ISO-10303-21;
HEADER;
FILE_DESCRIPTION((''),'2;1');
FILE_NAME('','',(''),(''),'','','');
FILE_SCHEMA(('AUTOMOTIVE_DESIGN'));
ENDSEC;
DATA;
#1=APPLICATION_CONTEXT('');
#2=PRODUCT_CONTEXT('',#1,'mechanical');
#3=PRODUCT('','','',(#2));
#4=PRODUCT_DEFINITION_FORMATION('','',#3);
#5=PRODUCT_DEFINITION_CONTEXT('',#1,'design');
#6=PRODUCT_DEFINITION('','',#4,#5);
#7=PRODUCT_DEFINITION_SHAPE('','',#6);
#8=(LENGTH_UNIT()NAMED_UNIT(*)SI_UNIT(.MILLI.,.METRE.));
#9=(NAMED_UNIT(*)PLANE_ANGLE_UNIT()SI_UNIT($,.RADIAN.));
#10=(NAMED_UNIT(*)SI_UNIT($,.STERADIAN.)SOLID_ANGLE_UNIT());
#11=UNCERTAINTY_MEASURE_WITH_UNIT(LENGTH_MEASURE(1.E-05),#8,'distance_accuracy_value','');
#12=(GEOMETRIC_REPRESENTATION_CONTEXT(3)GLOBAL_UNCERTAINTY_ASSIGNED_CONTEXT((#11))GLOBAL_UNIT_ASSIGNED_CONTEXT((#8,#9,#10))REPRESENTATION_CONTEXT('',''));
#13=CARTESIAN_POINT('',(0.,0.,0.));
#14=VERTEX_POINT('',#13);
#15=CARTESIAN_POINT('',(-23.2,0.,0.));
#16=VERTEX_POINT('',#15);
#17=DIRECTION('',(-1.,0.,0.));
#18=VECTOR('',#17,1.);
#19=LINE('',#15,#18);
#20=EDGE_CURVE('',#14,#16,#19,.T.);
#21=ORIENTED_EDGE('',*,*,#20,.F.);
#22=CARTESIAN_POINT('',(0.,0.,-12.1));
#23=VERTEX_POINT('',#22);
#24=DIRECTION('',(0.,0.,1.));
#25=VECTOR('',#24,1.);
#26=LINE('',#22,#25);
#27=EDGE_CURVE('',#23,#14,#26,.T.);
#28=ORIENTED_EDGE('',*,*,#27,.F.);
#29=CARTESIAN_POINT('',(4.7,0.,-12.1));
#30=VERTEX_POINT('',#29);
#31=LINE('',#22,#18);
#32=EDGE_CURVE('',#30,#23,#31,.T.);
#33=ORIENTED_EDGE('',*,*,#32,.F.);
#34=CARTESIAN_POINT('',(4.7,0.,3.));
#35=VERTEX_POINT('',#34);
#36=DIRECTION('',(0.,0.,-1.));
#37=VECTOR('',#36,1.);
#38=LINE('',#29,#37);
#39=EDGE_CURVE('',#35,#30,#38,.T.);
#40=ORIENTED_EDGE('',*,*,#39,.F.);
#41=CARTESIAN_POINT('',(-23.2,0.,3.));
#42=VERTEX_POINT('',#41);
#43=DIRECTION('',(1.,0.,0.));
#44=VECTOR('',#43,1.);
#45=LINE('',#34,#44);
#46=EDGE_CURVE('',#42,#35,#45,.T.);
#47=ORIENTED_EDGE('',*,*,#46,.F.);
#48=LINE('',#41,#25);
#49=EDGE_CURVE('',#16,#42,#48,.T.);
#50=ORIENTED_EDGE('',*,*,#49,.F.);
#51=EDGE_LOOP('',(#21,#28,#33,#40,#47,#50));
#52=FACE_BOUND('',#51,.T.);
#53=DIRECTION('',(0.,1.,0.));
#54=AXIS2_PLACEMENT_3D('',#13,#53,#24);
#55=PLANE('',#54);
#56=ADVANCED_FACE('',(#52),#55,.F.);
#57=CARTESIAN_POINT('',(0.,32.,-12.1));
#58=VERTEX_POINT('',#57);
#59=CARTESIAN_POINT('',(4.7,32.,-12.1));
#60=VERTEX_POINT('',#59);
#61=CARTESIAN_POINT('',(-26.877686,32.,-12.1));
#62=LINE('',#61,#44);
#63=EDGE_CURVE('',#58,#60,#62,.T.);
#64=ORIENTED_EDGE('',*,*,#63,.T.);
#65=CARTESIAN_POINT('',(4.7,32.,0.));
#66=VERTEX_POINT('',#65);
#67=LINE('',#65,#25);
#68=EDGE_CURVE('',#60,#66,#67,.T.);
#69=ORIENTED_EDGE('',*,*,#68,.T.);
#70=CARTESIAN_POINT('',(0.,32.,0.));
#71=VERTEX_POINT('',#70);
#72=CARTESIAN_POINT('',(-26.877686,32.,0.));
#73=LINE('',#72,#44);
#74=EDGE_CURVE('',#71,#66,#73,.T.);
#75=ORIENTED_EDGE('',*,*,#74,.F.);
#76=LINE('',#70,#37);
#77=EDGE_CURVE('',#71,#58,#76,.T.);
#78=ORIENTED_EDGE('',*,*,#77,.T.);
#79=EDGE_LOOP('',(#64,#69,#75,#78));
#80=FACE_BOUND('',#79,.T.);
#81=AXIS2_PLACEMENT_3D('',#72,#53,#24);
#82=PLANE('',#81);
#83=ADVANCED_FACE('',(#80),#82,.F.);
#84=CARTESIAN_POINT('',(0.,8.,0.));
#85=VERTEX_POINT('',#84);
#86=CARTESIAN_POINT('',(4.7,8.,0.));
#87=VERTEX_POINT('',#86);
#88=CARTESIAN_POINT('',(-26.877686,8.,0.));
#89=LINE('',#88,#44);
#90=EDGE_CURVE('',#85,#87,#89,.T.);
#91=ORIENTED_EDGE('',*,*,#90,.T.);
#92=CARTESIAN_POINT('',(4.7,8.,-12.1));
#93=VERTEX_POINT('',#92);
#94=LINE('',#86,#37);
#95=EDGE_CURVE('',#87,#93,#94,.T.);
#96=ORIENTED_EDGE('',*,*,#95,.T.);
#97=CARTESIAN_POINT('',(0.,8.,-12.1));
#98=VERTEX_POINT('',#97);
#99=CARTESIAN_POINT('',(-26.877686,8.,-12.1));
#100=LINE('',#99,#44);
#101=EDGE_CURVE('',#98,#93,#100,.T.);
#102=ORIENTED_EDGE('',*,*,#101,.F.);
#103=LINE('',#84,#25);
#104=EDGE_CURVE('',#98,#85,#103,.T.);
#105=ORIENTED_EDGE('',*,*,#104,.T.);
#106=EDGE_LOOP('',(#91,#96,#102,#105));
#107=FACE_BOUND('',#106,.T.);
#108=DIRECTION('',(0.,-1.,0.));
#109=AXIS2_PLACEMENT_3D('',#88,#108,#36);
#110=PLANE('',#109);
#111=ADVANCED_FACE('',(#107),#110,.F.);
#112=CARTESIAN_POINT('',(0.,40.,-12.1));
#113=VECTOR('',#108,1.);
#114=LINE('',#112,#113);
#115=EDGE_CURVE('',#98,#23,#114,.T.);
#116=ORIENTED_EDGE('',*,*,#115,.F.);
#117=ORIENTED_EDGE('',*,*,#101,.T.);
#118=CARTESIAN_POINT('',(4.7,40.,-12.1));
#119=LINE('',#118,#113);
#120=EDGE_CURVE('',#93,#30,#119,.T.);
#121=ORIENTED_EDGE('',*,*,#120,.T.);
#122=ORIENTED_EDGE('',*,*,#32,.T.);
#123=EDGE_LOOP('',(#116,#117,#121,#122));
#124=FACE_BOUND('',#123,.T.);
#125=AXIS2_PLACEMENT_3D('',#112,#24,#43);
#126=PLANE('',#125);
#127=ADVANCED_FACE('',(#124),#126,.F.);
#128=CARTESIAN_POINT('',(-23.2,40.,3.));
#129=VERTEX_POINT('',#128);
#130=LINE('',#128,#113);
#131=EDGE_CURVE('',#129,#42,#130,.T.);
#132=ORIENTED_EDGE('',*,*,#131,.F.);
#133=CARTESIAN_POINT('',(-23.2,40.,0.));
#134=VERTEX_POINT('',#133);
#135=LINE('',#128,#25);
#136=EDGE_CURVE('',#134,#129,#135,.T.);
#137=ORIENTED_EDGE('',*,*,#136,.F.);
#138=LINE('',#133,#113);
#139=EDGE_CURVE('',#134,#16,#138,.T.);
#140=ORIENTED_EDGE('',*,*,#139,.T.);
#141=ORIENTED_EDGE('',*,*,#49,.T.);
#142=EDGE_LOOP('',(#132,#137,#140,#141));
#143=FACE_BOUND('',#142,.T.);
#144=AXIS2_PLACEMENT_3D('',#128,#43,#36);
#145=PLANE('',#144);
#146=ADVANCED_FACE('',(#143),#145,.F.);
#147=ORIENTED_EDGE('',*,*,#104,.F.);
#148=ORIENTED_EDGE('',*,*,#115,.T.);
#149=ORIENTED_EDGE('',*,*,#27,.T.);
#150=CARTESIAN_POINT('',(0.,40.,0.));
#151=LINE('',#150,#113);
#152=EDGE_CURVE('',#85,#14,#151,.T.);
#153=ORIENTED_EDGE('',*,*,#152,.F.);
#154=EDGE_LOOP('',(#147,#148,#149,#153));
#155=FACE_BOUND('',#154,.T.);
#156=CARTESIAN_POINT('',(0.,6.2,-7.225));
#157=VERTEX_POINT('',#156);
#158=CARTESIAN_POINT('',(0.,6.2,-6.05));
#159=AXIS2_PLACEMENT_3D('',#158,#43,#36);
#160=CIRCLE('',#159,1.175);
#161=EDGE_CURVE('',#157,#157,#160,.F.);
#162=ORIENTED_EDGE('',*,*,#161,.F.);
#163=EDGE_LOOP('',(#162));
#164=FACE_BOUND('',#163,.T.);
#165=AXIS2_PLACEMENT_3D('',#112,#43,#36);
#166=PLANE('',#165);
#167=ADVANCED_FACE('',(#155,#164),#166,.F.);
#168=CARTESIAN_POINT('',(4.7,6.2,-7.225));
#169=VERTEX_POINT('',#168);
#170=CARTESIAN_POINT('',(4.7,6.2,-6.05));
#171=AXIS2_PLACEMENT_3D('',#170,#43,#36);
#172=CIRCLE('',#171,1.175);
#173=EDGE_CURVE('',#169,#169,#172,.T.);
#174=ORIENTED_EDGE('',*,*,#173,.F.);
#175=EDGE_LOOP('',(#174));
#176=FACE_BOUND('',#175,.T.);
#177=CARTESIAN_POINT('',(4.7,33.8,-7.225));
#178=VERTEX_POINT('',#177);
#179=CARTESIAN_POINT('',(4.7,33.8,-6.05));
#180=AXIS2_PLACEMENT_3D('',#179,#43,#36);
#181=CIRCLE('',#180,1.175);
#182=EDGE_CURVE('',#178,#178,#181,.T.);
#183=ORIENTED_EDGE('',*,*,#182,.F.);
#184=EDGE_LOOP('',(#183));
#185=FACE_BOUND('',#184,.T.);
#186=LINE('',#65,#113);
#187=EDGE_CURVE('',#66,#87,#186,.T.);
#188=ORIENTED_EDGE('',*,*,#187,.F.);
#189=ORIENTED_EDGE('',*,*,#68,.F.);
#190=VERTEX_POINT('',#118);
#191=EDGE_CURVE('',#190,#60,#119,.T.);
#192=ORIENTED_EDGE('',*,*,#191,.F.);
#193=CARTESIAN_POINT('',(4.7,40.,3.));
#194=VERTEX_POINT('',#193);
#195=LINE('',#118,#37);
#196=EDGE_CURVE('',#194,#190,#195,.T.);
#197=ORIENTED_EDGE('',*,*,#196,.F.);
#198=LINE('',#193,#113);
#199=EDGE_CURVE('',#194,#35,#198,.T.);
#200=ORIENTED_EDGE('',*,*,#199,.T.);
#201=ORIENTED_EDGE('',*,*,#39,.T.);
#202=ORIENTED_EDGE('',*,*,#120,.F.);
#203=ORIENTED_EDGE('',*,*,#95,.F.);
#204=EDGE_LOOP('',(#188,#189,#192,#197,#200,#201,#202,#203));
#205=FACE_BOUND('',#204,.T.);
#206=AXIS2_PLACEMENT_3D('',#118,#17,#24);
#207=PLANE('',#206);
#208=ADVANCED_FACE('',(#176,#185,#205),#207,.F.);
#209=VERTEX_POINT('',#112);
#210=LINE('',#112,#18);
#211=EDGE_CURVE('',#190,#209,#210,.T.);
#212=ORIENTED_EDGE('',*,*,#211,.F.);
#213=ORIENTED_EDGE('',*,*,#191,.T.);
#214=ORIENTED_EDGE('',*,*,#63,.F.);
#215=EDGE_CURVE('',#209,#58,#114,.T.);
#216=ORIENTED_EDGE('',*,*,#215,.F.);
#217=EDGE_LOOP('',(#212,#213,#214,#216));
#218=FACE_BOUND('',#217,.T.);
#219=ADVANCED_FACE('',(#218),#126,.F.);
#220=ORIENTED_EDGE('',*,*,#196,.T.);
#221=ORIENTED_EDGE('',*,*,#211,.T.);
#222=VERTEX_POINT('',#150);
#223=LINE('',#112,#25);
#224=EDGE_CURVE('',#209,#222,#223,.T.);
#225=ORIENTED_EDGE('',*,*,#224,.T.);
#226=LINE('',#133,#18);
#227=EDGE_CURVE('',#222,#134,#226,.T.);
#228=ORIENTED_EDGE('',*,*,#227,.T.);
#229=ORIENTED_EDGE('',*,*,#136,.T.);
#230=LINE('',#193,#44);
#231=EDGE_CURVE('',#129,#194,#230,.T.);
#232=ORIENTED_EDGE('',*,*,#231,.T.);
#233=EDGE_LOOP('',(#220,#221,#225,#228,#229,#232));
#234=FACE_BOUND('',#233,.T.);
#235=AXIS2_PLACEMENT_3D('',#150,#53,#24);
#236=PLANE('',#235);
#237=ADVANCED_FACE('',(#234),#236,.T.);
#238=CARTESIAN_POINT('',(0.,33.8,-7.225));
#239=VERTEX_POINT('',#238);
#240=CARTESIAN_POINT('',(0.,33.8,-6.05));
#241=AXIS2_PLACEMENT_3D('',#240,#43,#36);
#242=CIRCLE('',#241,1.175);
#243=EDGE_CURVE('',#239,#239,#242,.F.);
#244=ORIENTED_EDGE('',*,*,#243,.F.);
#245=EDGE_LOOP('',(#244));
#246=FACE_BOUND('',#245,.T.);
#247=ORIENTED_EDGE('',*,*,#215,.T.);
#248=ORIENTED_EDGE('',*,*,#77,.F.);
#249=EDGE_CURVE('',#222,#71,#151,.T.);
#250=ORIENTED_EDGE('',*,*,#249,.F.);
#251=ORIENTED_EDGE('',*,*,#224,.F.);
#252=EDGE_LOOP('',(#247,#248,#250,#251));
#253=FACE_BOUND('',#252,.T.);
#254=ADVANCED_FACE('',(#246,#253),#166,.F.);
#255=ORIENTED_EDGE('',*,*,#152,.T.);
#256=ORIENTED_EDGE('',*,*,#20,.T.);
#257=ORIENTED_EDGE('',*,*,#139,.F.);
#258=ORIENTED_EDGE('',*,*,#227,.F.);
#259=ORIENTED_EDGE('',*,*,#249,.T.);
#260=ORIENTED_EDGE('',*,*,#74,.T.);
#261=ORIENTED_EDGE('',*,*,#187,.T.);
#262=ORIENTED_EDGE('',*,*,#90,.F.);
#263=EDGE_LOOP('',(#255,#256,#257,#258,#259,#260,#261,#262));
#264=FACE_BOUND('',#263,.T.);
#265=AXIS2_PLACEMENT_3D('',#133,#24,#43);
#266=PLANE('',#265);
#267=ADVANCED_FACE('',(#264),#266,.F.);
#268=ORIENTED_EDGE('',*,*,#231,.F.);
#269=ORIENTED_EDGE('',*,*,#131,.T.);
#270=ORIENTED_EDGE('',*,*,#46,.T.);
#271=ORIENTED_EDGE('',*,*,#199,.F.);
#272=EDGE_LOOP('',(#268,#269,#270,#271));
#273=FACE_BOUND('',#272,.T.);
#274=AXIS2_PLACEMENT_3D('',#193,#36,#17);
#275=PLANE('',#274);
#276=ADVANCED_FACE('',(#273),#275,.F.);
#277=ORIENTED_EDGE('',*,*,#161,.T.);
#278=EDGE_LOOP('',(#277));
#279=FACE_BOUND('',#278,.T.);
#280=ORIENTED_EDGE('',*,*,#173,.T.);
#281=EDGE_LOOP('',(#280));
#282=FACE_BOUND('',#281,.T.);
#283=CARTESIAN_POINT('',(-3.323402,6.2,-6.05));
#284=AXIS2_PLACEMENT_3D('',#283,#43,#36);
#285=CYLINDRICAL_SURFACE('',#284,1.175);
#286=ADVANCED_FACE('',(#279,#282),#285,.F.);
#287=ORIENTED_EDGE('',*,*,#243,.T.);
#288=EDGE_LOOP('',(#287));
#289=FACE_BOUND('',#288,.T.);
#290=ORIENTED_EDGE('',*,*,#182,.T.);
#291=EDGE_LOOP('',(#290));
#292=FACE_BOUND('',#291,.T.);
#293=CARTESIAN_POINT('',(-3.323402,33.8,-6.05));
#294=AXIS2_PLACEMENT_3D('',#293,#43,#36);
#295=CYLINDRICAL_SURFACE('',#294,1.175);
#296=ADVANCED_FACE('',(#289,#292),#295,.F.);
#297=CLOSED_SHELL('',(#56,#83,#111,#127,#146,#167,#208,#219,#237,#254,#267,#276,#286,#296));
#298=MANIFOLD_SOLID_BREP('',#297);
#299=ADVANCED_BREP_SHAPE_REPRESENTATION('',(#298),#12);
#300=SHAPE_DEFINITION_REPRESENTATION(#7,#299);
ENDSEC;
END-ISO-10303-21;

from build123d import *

# Parameters (mm, degrees)
BOSS_EXTRUDE1_DEPTH = 40
SKETCH2_W           = 12.1
SKETCH2_H           = 24
CUT_EXTRUDE3_DEPTH  = 4.7
SKETCH4_R           = 1.175
CUT_EXTRUDE4_DEPTH  = 4.7


with BuildPart() as part:
    # Sketch1 → Boss-Extrude1 (new body)
    with BuildSketch(Plane(origin=(0, 0, 0), x_dir=(1, 0, 0), z_dir=(0, 1, 0))):
        Polygon((0, 12.1), (4.7, 12.1), (4.7, -3), (-23.2, -3), (-23.2, 0), (0, 0), align=None)
    extrude(amount=BOSS_EXTRUDE1_DEPTH)

    # Sketch2 → Cut-Extrude3 (cut)
    with BuildSketch(Plane(origin=(4.7, 0, 0), x_dir=(0, 0, -1), z_dir=(1, 0, 0))):
        with Locations((6.05, 20)):
            Rectangle(SKETCH2_W, SKETCH2_H)
    extrude(amount=-CUT_EXTRUDE3_DEPTH, mode=Mode.SUBTRACT)

    # Sketch4 → Cut-Extrude4 (cut)
    with BuildSketch(Plane(origin=(4.7, 0, 0), x_dir=(0, 0, -1), z_dir=(1, 0, 0))):
        with Locations((6.05, 33.8)):
            Circle(SKETCH4_R)
        with Locations((6.05, 6.2)):
            Circle(SKETCH4_R)
    extrude(amount=-CUT_EXTRUDE4_DEPTH, mode=Mode.SUBTRACT)


solid = part.part
